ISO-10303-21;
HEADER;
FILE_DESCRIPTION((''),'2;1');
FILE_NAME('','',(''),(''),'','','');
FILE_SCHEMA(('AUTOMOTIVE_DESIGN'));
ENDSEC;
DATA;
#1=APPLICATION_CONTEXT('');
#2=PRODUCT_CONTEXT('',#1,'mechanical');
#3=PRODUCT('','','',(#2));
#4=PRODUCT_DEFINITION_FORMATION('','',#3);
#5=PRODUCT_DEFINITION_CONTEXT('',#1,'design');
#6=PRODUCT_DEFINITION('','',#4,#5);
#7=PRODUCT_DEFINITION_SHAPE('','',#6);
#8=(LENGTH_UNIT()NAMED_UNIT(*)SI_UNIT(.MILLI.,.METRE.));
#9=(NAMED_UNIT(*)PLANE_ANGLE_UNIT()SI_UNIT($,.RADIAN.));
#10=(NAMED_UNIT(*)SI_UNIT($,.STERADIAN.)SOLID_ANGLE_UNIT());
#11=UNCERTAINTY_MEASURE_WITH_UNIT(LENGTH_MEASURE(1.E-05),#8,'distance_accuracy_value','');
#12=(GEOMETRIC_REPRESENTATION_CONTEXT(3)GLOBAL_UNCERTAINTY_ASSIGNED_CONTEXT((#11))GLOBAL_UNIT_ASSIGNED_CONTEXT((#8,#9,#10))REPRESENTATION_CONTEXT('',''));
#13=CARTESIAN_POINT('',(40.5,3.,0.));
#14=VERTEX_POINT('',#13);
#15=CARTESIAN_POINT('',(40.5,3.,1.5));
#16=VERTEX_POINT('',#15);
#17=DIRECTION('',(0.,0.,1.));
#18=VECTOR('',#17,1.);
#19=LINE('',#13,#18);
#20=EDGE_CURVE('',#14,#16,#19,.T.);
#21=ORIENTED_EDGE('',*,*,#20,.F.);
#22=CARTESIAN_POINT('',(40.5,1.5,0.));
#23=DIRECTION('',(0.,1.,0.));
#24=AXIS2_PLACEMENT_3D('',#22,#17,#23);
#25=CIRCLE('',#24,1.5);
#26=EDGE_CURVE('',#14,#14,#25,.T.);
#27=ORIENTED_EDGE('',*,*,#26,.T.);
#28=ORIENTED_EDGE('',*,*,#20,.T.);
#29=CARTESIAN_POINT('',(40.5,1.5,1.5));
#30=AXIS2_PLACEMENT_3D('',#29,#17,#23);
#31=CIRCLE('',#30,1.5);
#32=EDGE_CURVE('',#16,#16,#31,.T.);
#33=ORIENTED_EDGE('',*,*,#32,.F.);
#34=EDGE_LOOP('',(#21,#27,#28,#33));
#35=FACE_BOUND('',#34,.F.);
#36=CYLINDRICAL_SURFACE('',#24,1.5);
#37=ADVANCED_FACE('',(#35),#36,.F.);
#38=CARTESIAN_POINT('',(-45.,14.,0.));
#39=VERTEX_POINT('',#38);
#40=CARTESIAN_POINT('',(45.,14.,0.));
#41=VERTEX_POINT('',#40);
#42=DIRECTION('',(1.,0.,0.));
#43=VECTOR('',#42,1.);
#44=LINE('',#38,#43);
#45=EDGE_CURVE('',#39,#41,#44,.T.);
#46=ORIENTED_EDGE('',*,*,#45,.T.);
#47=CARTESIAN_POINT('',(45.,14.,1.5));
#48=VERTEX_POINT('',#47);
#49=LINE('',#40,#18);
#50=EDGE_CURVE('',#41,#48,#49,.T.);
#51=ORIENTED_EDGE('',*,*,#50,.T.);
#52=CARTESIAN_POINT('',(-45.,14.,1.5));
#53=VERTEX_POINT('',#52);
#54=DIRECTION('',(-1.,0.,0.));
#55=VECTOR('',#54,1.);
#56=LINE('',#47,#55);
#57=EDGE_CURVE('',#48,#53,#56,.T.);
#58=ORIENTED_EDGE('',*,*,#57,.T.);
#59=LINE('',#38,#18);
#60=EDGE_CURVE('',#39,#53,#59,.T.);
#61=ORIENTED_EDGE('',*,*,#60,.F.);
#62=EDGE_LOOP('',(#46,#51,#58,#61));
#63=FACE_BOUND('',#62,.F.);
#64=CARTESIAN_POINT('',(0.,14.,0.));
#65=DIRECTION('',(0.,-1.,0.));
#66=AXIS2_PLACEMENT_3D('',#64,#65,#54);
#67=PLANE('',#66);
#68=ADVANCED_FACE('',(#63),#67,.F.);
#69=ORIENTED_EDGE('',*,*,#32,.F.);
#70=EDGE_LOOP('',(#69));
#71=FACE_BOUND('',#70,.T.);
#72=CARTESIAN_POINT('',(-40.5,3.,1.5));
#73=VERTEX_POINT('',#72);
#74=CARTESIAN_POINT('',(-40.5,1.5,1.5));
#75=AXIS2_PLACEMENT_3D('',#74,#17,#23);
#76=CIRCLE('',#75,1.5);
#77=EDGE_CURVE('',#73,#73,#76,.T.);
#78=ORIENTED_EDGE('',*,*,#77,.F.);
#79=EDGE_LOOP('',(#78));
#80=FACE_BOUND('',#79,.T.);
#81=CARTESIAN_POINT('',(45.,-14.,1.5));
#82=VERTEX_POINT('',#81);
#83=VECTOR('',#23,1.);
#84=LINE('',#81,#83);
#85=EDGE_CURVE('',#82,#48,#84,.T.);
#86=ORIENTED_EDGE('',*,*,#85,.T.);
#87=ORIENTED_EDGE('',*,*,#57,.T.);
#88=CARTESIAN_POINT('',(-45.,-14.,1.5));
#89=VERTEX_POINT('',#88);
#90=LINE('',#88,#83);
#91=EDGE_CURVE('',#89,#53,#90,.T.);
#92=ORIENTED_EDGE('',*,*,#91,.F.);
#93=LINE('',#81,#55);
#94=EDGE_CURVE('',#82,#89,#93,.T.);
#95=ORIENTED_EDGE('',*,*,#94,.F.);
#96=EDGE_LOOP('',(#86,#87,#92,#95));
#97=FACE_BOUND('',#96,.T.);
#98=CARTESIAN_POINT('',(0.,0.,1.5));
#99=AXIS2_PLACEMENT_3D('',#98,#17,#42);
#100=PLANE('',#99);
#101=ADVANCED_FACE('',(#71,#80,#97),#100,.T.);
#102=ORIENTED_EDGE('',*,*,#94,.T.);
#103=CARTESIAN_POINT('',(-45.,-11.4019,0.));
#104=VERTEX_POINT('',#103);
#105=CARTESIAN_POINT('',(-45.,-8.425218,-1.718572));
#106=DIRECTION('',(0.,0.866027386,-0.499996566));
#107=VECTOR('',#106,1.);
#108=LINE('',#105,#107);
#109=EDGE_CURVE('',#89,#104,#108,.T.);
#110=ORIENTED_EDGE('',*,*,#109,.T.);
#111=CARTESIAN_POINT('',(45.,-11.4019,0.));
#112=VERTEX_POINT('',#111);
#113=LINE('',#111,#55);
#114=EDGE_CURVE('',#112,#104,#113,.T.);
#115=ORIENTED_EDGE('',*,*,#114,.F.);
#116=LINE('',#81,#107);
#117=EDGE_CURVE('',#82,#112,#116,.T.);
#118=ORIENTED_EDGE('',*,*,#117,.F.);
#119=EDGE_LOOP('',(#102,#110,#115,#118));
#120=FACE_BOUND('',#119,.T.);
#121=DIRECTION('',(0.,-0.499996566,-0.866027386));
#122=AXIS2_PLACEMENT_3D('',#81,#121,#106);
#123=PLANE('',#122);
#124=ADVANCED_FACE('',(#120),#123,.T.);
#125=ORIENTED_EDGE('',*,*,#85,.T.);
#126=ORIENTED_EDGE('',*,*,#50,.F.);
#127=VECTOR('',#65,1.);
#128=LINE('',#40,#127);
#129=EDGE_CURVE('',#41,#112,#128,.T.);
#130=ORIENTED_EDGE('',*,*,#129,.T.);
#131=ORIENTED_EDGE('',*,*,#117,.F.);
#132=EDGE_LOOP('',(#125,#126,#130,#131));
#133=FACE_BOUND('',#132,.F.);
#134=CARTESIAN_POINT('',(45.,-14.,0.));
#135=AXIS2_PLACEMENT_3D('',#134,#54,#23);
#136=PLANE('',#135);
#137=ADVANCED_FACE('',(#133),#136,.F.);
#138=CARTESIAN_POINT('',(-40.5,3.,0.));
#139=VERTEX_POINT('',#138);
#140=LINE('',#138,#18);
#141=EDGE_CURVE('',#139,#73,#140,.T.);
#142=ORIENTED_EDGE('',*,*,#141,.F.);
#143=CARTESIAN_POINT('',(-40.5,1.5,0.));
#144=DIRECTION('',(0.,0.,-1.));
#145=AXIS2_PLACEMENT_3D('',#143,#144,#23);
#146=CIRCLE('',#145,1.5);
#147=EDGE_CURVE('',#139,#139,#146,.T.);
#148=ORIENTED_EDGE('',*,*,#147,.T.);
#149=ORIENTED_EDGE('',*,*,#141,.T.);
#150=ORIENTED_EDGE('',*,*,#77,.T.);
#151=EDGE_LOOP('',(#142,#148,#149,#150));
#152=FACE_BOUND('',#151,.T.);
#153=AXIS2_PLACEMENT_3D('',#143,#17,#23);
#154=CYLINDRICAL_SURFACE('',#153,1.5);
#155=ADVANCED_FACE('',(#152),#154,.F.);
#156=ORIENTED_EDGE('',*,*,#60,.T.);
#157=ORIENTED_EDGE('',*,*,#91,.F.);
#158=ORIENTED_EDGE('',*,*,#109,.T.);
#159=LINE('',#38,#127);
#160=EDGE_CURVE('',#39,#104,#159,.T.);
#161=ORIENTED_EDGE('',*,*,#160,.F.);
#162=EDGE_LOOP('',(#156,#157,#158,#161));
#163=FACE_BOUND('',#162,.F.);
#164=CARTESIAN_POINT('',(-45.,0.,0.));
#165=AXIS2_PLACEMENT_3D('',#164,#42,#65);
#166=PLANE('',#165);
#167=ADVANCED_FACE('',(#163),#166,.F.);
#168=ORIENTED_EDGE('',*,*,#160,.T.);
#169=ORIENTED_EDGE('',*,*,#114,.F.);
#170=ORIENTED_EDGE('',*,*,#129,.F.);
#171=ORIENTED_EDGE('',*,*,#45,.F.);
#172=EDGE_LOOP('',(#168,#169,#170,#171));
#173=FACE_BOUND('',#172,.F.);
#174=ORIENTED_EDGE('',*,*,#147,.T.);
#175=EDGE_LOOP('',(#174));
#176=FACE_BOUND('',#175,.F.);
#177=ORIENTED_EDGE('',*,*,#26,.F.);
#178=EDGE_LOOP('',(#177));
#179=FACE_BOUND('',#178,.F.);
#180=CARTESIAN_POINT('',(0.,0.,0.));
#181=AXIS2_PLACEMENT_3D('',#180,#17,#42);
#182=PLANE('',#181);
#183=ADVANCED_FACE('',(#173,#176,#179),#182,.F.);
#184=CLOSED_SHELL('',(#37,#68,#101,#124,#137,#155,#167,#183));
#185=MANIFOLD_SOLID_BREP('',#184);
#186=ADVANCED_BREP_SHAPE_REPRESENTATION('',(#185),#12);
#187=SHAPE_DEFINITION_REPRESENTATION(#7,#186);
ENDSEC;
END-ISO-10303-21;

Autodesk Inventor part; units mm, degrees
ref_plane "YZ Plane" through (0, 0, 0) normal (1, 0, 0) x (0, 1, 0)
ref_plane "XZ Plane" through (0, 0, 0) normal (0, 1, 0) x (-1, 0, 0)
ref_plane "XY Plane" through (0, 0, 0) normal (0, 0, 1) x (1, 0, 0)
sketch "Szkic1" plane through (0, 0, 0) normal (0, 0, 1) x (1, 0, 0)
  line L0 (0, -19.6) -> (0, 19.6) projected
  line L1 (-63, 0) -> (63, 0) projected
  line L2 (-45, -14) -> (45, -14)
  line L3 (45, -14) -> (45, 14)
  line L4 (45, 14) -> (-45, 14)
  line L5 (-45, 14) -> (-45, -14)
  line L6 (-45, -14) -> (45, 14) construction
  line L7 (45, -14) -> (-45, 14) construction
  point P0 (0, 0)
  dimension "d0" = 28
  dimension "d1" = 90
extrude "Wyciągnięcie proste1" add sketch "Szkic1" along normal blind 1.5
sketch "Szkic3" plane through (45, -14, 0) normal (1, 0, 0) x (0, 0, -1)
  line L0 (-1.5, 0) -> (-1.5, 28) projected
  line L1 (0, 0) -> (0, 28) projected
  line L2 (0, 0) -> (0, 28) projected
  line L3 (0, 28) -> (-1.5, 28) projected
  line L4 (-1.5, 0) -> (-1.5, 28) projected
  line L5 (0, 0) -> (-1.5, 0) projected
  line L6 (-1.5, 0) -> (0, 2.5981)
  point P0 (0, 14)
  point P1 (0, 2.5981)
  dimension "d10" = 30
extrude "Wyciągnięcie proste3" cut sketch "Szkic3" against normal blind 100 contours L6 L1 L5
sketch "Szkic4" plane through (0, 0, 0) normal (0, 0, -1) x (-1, 0, 0)
  line L0 (-45, -11.4019) -> (-45, 14) projected
  line L1 (-45, 14) -> (45, 14) projected
  point P0 (0, 0)
  point P1 (-40.5, 1.5)
  dimension "d13" = 4.5
  dimension "d14" = 12.5
hole "Otwór1" at (40.5, 1.5, 0) direction (0, 0, 1) diameter 3 depth 4
mirror "Odbij1" about plane through (0, 0, 0) normal (1, 0, 0) of "Otwór1"
properties part number "pług_część1" material "Stal"
